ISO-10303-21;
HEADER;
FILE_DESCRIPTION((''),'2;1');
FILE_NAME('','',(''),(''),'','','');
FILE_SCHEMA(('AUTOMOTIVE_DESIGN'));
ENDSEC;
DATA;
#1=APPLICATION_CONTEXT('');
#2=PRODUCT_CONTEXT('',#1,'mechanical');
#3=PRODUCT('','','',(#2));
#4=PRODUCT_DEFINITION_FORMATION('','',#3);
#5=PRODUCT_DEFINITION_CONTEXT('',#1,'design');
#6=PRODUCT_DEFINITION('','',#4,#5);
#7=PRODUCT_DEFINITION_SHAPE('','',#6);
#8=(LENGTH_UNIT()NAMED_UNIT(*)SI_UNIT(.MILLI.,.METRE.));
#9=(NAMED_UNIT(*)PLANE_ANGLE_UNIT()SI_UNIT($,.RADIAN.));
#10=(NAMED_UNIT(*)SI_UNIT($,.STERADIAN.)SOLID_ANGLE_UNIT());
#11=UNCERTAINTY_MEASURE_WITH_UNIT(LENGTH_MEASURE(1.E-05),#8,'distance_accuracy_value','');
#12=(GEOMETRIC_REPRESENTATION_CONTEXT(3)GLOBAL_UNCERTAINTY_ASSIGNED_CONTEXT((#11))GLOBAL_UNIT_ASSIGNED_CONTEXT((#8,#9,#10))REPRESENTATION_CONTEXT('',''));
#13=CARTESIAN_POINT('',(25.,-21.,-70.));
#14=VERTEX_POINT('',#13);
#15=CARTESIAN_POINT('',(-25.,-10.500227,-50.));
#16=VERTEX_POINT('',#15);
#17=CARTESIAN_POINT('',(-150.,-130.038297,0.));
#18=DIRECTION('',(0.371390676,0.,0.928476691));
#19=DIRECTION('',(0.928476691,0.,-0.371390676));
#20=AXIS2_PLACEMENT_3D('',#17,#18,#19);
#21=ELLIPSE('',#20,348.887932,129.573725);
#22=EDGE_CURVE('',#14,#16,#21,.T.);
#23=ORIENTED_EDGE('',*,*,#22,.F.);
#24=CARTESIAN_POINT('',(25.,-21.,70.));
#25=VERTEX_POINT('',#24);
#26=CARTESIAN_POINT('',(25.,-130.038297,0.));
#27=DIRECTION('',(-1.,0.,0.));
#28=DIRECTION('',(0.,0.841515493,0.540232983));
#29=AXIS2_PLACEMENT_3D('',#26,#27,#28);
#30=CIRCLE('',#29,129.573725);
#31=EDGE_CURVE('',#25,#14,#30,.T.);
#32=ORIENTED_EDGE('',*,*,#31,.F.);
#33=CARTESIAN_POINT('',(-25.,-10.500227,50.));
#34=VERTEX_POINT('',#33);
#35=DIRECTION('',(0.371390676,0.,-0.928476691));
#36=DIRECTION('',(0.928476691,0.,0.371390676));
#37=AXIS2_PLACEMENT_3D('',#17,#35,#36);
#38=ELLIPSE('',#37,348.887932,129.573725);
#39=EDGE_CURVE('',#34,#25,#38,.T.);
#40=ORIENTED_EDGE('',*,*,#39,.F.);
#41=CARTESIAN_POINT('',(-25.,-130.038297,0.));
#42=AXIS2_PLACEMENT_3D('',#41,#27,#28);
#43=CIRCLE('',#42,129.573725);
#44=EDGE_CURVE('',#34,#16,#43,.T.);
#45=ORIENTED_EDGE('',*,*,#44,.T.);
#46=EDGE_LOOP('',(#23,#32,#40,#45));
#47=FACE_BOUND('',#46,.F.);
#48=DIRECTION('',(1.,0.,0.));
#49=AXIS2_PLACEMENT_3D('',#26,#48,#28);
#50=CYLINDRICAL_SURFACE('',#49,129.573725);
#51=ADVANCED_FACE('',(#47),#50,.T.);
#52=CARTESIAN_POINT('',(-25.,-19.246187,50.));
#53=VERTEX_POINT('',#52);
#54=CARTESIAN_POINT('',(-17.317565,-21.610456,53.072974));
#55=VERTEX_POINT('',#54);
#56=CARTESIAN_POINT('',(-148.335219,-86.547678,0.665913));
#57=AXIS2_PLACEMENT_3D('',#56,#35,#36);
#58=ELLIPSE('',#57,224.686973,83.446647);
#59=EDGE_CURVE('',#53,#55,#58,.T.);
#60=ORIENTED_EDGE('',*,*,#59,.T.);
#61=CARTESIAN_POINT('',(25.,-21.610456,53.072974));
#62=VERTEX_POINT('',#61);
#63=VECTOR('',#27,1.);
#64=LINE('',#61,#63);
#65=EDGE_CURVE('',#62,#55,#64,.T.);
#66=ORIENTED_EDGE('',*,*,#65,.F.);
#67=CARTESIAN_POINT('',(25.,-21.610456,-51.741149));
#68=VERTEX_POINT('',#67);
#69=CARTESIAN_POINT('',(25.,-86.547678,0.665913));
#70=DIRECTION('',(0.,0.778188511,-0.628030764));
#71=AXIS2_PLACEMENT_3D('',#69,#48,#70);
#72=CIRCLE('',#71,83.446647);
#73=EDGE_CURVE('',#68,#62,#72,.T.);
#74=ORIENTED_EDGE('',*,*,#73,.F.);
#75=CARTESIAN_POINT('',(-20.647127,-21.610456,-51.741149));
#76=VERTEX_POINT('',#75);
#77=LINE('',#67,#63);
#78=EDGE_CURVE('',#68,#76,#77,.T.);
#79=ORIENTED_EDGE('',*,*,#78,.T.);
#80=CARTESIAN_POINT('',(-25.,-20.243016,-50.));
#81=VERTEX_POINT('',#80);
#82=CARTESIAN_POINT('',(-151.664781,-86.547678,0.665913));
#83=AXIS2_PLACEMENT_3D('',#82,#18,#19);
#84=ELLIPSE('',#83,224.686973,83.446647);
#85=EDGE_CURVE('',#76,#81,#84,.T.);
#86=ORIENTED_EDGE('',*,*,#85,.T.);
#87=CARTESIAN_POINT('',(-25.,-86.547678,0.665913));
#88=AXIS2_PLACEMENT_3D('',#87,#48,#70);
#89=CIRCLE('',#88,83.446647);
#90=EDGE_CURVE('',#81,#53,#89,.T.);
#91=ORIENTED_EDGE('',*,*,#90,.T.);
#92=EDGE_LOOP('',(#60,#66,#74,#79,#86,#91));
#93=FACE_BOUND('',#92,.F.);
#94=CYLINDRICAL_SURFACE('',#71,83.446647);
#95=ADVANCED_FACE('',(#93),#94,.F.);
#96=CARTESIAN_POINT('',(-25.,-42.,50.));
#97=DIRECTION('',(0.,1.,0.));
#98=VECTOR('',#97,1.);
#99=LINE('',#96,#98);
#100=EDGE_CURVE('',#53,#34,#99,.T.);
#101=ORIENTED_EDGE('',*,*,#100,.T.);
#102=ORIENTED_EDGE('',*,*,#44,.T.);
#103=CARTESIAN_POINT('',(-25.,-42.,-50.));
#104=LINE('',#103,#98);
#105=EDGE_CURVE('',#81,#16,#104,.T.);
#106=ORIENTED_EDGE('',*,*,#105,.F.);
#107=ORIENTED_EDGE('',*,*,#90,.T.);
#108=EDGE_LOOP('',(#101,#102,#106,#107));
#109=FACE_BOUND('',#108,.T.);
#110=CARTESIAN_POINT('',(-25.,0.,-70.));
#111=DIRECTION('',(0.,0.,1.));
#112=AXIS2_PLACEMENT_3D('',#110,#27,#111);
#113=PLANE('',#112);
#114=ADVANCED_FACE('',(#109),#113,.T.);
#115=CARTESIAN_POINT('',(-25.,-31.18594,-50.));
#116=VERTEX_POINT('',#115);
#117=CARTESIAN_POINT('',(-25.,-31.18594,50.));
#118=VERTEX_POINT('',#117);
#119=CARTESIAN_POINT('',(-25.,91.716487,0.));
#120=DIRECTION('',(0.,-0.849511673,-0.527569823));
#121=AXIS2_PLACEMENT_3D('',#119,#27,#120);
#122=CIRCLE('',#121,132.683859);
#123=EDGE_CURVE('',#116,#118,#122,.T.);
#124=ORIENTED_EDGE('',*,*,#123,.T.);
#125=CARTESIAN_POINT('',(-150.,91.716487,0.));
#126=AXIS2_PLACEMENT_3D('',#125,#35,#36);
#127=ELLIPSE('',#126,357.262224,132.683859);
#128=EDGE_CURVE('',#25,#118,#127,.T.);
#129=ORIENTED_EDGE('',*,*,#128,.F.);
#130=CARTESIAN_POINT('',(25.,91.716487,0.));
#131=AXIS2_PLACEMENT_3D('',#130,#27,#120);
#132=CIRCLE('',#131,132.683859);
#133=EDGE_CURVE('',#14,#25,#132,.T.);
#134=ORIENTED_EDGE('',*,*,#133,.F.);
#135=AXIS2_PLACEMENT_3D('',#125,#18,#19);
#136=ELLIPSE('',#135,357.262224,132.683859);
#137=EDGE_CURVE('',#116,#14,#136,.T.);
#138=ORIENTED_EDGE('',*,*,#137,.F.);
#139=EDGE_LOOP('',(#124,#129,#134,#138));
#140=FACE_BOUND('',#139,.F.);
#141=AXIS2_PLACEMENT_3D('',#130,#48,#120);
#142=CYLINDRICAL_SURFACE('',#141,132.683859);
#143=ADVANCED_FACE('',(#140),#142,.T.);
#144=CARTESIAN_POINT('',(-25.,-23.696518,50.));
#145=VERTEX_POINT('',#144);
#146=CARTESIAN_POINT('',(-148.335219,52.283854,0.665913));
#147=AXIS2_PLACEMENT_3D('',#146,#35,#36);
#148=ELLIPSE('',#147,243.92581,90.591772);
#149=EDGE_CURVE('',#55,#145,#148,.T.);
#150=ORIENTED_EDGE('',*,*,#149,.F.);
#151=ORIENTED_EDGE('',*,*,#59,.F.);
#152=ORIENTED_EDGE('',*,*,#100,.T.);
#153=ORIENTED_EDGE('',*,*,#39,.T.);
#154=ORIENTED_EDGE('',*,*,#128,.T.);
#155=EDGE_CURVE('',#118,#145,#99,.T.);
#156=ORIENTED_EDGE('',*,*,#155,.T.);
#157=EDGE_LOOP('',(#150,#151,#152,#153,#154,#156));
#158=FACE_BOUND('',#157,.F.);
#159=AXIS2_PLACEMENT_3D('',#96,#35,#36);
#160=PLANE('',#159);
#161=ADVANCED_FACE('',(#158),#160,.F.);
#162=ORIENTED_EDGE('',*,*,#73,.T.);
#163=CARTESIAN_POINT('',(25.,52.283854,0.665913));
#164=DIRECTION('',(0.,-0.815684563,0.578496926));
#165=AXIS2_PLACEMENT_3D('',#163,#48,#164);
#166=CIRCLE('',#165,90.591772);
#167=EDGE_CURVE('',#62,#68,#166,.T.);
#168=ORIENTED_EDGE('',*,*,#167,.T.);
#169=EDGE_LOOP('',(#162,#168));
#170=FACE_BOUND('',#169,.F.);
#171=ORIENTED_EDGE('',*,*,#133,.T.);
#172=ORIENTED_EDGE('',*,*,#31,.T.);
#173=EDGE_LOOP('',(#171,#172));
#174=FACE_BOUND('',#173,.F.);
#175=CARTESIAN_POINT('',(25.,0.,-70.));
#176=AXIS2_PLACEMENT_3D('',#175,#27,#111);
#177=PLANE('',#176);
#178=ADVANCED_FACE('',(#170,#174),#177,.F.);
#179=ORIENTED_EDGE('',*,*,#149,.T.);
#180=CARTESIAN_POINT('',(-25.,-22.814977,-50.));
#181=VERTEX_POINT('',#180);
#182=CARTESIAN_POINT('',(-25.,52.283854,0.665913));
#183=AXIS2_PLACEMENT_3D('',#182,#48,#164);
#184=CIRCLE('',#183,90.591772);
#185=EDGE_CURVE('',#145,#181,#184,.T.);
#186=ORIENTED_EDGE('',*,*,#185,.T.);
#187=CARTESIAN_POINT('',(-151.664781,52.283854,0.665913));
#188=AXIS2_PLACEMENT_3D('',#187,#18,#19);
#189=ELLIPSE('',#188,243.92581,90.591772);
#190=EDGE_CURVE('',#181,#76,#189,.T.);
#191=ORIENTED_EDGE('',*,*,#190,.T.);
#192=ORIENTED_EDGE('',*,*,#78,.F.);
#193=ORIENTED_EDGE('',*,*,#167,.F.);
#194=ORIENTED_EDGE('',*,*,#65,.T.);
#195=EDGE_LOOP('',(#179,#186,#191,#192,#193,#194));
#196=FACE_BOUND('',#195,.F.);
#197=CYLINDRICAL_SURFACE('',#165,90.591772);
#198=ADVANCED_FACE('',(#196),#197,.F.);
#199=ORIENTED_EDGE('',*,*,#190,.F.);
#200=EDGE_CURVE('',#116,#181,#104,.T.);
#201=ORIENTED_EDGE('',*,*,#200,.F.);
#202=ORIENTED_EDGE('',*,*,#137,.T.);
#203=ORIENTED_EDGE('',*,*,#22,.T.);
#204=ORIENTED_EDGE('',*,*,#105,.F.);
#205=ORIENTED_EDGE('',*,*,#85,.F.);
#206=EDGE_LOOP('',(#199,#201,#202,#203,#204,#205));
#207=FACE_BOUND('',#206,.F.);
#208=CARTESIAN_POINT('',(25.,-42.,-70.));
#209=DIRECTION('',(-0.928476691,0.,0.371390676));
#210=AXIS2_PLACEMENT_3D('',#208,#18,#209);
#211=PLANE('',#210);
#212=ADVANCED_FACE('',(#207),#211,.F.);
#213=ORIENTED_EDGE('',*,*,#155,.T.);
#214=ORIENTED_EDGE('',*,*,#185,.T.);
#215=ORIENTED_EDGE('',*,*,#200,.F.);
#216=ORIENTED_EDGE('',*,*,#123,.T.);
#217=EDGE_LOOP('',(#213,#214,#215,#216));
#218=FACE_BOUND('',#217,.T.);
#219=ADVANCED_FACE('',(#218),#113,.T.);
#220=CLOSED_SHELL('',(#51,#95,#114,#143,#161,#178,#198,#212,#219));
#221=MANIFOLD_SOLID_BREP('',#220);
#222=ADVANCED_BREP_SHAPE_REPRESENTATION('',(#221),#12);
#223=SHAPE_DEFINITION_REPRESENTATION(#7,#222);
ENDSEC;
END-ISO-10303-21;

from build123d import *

# Parameters (mm, degrees)
F0_W     = 50
F0_H     = 140
F1_DEPTH = 42
F3_DEPTH = 42
F5_DEPTH = 50
F7_DEPTH = 50
F9_DEPTH = 50


with BuildPart() as f1:
    # F0 (on Front) → F1 (new body)
    with BuildSketch(Plane.XZ):
        Rectangle(F0_W, F0_H)
    extrude(amount=F1_DEPTH)

    # F2 (on face) → F3 (cut)
    with BuildSketch(Plane.XZ.offset(42)):
        Polygon((25, 70), (-25, 70), (-25, 50), align=None)
        Polygon((-25, -50), (-25, -70), (25, -70), align=None)
    extrude(amount=-F3_DEPTH, mode=Mode.SUBTRACT)

    # F4 (on face) → F5 (cut)
    with BuildSketch(Plane.YZ.offset(25)):
        with BuildLine():
            ThreePointArc((-21, -70), (-40.967372, 0), (-21, 70))
            Line((-21, 70), (-47.731567, 70))
            Line((-47.731567, 70), (-47.731567, -70))
            Line((-47.731567, -70), (-21, -70))
        make_face()
    extrude(amount=-F5_DEPTH, mode=Mode.SUBTRACT)

    # F6 (on face) → F7 (cut)
    with BuildSketch(Plane.YZ.offset(25)):
        with BuildLine():
            ThreePointArc((-21, 70), (-0.464572, 0), (-21, -70))
            Line((-21, -70), (3.54092, -70))
            Line((3.54092, -70), (3.54092, 70))
            Line((3.54092, 70), (-21, 70))
        make_face()
    extrude(amount=-F7_DEPTH, mode=Mode.SUBTRACT)

    # F8 (on face) → F9 (cut)
    with BuildSketch(Plane.YZ.offset(25)):
        with BuildLine():
            ThreePointArc((-21.610456, 53.072974), (-38.307918, 0.665912), (-21.610456, -51.741149))
            ThreePointArc((-21.610456, -51.741149), (-3.101031, 0.665912), (-21.610456, 53.072974))
        make_face()
    extrude(amount=-F9_DEPTH, mode=Mode.SUBTRACT)


solid = f1.part
